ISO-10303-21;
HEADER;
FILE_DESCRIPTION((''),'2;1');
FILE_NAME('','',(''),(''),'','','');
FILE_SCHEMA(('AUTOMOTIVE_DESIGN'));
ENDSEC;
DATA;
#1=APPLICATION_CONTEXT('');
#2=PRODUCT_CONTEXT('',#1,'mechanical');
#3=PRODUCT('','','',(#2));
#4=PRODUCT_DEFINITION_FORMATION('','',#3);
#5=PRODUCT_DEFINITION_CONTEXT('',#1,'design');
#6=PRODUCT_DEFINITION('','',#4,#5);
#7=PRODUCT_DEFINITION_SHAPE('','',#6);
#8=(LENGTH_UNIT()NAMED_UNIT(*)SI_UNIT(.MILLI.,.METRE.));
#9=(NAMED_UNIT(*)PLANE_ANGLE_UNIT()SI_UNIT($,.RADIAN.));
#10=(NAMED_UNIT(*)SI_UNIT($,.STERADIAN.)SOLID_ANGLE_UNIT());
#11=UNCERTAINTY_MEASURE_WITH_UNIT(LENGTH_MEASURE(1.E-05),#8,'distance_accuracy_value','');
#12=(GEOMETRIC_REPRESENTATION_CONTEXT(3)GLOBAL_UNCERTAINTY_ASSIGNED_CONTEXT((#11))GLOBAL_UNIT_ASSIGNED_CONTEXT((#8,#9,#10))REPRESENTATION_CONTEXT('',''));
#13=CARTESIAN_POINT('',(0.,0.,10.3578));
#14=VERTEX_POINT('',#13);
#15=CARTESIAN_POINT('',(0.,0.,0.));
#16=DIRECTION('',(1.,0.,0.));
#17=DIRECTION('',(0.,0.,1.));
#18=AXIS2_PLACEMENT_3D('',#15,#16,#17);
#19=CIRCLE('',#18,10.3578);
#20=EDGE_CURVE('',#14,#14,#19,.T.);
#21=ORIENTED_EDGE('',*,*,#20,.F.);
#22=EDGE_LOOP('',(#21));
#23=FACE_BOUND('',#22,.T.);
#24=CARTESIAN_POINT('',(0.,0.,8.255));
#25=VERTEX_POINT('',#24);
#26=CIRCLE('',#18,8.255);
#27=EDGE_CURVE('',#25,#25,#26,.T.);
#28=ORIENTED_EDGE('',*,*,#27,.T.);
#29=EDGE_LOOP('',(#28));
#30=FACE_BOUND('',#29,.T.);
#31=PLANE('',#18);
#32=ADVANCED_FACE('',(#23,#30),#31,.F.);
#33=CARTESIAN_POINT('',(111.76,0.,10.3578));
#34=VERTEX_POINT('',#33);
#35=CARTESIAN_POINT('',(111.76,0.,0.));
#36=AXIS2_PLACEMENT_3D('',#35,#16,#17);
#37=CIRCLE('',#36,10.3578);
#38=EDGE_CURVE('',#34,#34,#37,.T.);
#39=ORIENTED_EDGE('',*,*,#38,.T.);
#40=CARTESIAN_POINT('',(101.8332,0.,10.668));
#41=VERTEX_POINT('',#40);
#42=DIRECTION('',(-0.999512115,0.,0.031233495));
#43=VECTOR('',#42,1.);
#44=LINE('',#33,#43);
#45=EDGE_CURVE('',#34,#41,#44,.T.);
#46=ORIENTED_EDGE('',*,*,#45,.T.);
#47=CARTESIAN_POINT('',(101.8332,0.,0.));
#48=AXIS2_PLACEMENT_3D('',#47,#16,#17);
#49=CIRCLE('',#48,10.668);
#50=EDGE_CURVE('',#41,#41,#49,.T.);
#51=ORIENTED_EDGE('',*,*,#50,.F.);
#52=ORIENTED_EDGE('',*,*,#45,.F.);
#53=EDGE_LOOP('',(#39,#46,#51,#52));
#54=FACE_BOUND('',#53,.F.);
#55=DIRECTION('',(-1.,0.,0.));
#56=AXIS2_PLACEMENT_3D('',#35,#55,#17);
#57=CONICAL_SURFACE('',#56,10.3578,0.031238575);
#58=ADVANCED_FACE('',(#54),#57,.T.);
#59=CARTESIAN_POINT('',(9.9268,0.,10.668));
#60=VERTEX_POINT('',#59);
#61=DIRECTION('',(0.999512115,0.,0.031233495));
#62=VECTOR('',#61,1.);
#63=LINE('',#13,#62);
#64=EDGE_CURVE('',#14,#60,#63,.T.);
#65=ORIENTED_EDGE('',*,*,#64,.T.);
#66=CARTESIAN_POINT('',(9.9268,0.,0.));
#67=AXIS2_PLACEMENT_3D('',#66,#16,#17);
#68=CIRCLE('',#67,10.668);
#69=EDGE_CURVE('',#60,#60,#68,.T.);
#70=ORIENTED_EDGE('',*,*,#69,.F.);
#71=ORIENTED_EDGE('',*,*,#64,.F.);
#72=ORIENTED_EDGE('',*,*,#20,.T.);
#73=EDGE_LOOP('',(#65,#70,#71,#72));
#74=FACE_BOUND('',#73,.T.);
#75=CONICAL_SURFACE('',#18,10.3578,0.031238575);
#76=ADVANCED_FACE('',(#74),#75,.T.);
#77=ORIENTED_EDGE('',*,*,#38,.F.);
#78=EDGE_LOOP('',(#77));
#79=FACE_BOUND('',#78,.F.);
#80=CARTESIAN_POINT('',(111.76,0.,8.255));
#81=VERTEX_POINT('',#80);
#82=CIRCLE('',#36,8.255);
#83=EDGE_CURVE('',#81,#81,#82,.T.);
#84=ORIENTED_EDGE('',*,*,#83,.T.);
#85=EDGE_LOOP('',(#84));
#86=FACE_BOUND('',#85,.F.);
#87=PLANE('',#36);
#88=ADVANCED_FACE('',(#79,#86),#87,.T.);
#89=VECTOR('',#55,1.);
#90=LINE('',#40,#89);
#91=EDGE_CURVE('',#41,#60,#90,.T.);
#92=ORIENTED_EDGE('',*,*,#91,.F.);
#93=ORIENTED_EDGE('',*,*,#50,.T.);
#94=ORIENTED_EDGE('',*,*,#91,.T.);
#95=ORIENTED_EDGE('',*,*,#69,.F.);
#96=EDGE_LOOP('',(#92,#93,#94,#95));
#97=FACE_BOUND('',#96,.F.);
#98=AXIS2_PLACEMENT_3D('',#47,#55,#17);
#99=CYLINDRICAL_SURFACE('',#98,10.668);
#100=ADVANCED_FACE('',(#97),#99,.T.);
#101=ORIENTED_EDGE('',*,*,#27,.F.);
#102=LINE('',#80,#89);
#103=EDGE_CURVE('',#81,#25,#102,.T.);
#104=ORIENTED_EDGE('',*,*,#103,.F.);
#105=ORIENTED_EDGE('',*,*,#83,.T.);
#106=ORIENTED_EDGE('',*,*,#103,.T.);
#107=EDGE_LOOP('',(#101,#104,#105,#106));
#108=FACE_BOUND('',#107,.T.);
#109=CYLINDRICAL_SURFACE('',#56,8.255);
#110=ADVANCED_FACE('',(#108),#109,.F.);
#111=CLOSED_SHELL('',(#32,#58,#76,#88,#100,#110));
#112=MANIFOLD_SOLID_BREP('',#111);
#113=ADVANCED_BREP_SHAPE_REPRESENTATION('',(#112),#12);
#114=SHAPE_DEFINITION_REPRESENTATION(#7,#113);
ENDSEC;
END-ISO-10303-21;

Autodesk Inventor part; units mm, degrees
ref_plane "YZ Plane" through (0, 0, 0) normal (1, 0, 0) x (0, 1, 0)
ref_plane "XZ Plane" through (0, 0, 0) normal (0, 1, 0) x (-1, 0, 0)
ref_plane "XY Plane" through (0, 0, 0) normal (0, 0, 1) x (1, 0, 0)
sketch "Sketch1" plane through (0, 0, 0) normal (0, 1, 0) x (-1, 0, 0)
  line L0 (0, 0) -> (-111.76, 0)
  line L1 (-111.76, 0) -> (-111.76, 8.255) construction
  line L2 (-111.76, 8.255) -> (-111.76, 10.3578)
  line L3 (-111.76, 10.3578) -> (-101.8332, 10.668)
  line L4 (-101.8332, 10.668) -> (-9.9268, 10.668)
  line L5 (-55.88, 0) -> (-55.88, 10.668) construction
  line L6 (-111.76, 8.255) -> (0, 8.255)
  line L7 (0, 0) -> (0, 8.255) construction
  line L8 (0, 8.255) -> (0, 10.3578)
  line L9 (0, 10.3578) -> (-9.9268, 10.668)
  line L10 (-98.204, 10.7814) -> (-98.204, 0) construction
  line L11 (-13.556, 10.7814) -> (-13.556, 0) construction
  line L12 (-101.8332, 10.668) -> (-98.204, 10.7814) construction
  line L13 (-101.8332, 10.668) -> (-101.8332, 0) construction
  line L14 (-9.9268, 10.668) -> (-13.556, 10.7814) construction
  line L15 (-9.9268, 10.668) -> (-9.9268, 0) construction
  dimension "d0" = 21.336
  dimension "d1" = 1.79
  dimension "d2" = 16.51
  dimension "d3" = 111.76
  dimension "d4" = 13.556
  dimension "d5" = 21.5628
revolve "Revolution1" add sketch "Sketch1" angle 360 about axis through (0, 0, 0) along (1, 0, 0)
thread "Thread1" size "1/2" designation "1/2 - 14 NPT" standard "NPT" full length
thread "Thread2" size "1/2" designation "1/2 - 14 NPT" standard "NPT" full length
equation "\"d0\" = OD"
equation "\"d2\" = ID"
equation "\"d3\" = L"
equation "\"d4\" = L2"
equation "\"d5\" = D2"
equation "\"OD\" = 21.336"
equation "\"t\" = 2.413"
equation "\"L\" = PL"
equation "\"L4\" = 19.8501"
equation "\"ID\" = 16.51"
equation "\"PL\" = 111.76"
equation "\"D2\" = 21.56282"
equation "\"L2\" = 13.55598"
equation "\"Size_Designation\" = 1.2345"
equation "\"PLmin\" = 2 * L2"
properties material "Steel, Wrought"
